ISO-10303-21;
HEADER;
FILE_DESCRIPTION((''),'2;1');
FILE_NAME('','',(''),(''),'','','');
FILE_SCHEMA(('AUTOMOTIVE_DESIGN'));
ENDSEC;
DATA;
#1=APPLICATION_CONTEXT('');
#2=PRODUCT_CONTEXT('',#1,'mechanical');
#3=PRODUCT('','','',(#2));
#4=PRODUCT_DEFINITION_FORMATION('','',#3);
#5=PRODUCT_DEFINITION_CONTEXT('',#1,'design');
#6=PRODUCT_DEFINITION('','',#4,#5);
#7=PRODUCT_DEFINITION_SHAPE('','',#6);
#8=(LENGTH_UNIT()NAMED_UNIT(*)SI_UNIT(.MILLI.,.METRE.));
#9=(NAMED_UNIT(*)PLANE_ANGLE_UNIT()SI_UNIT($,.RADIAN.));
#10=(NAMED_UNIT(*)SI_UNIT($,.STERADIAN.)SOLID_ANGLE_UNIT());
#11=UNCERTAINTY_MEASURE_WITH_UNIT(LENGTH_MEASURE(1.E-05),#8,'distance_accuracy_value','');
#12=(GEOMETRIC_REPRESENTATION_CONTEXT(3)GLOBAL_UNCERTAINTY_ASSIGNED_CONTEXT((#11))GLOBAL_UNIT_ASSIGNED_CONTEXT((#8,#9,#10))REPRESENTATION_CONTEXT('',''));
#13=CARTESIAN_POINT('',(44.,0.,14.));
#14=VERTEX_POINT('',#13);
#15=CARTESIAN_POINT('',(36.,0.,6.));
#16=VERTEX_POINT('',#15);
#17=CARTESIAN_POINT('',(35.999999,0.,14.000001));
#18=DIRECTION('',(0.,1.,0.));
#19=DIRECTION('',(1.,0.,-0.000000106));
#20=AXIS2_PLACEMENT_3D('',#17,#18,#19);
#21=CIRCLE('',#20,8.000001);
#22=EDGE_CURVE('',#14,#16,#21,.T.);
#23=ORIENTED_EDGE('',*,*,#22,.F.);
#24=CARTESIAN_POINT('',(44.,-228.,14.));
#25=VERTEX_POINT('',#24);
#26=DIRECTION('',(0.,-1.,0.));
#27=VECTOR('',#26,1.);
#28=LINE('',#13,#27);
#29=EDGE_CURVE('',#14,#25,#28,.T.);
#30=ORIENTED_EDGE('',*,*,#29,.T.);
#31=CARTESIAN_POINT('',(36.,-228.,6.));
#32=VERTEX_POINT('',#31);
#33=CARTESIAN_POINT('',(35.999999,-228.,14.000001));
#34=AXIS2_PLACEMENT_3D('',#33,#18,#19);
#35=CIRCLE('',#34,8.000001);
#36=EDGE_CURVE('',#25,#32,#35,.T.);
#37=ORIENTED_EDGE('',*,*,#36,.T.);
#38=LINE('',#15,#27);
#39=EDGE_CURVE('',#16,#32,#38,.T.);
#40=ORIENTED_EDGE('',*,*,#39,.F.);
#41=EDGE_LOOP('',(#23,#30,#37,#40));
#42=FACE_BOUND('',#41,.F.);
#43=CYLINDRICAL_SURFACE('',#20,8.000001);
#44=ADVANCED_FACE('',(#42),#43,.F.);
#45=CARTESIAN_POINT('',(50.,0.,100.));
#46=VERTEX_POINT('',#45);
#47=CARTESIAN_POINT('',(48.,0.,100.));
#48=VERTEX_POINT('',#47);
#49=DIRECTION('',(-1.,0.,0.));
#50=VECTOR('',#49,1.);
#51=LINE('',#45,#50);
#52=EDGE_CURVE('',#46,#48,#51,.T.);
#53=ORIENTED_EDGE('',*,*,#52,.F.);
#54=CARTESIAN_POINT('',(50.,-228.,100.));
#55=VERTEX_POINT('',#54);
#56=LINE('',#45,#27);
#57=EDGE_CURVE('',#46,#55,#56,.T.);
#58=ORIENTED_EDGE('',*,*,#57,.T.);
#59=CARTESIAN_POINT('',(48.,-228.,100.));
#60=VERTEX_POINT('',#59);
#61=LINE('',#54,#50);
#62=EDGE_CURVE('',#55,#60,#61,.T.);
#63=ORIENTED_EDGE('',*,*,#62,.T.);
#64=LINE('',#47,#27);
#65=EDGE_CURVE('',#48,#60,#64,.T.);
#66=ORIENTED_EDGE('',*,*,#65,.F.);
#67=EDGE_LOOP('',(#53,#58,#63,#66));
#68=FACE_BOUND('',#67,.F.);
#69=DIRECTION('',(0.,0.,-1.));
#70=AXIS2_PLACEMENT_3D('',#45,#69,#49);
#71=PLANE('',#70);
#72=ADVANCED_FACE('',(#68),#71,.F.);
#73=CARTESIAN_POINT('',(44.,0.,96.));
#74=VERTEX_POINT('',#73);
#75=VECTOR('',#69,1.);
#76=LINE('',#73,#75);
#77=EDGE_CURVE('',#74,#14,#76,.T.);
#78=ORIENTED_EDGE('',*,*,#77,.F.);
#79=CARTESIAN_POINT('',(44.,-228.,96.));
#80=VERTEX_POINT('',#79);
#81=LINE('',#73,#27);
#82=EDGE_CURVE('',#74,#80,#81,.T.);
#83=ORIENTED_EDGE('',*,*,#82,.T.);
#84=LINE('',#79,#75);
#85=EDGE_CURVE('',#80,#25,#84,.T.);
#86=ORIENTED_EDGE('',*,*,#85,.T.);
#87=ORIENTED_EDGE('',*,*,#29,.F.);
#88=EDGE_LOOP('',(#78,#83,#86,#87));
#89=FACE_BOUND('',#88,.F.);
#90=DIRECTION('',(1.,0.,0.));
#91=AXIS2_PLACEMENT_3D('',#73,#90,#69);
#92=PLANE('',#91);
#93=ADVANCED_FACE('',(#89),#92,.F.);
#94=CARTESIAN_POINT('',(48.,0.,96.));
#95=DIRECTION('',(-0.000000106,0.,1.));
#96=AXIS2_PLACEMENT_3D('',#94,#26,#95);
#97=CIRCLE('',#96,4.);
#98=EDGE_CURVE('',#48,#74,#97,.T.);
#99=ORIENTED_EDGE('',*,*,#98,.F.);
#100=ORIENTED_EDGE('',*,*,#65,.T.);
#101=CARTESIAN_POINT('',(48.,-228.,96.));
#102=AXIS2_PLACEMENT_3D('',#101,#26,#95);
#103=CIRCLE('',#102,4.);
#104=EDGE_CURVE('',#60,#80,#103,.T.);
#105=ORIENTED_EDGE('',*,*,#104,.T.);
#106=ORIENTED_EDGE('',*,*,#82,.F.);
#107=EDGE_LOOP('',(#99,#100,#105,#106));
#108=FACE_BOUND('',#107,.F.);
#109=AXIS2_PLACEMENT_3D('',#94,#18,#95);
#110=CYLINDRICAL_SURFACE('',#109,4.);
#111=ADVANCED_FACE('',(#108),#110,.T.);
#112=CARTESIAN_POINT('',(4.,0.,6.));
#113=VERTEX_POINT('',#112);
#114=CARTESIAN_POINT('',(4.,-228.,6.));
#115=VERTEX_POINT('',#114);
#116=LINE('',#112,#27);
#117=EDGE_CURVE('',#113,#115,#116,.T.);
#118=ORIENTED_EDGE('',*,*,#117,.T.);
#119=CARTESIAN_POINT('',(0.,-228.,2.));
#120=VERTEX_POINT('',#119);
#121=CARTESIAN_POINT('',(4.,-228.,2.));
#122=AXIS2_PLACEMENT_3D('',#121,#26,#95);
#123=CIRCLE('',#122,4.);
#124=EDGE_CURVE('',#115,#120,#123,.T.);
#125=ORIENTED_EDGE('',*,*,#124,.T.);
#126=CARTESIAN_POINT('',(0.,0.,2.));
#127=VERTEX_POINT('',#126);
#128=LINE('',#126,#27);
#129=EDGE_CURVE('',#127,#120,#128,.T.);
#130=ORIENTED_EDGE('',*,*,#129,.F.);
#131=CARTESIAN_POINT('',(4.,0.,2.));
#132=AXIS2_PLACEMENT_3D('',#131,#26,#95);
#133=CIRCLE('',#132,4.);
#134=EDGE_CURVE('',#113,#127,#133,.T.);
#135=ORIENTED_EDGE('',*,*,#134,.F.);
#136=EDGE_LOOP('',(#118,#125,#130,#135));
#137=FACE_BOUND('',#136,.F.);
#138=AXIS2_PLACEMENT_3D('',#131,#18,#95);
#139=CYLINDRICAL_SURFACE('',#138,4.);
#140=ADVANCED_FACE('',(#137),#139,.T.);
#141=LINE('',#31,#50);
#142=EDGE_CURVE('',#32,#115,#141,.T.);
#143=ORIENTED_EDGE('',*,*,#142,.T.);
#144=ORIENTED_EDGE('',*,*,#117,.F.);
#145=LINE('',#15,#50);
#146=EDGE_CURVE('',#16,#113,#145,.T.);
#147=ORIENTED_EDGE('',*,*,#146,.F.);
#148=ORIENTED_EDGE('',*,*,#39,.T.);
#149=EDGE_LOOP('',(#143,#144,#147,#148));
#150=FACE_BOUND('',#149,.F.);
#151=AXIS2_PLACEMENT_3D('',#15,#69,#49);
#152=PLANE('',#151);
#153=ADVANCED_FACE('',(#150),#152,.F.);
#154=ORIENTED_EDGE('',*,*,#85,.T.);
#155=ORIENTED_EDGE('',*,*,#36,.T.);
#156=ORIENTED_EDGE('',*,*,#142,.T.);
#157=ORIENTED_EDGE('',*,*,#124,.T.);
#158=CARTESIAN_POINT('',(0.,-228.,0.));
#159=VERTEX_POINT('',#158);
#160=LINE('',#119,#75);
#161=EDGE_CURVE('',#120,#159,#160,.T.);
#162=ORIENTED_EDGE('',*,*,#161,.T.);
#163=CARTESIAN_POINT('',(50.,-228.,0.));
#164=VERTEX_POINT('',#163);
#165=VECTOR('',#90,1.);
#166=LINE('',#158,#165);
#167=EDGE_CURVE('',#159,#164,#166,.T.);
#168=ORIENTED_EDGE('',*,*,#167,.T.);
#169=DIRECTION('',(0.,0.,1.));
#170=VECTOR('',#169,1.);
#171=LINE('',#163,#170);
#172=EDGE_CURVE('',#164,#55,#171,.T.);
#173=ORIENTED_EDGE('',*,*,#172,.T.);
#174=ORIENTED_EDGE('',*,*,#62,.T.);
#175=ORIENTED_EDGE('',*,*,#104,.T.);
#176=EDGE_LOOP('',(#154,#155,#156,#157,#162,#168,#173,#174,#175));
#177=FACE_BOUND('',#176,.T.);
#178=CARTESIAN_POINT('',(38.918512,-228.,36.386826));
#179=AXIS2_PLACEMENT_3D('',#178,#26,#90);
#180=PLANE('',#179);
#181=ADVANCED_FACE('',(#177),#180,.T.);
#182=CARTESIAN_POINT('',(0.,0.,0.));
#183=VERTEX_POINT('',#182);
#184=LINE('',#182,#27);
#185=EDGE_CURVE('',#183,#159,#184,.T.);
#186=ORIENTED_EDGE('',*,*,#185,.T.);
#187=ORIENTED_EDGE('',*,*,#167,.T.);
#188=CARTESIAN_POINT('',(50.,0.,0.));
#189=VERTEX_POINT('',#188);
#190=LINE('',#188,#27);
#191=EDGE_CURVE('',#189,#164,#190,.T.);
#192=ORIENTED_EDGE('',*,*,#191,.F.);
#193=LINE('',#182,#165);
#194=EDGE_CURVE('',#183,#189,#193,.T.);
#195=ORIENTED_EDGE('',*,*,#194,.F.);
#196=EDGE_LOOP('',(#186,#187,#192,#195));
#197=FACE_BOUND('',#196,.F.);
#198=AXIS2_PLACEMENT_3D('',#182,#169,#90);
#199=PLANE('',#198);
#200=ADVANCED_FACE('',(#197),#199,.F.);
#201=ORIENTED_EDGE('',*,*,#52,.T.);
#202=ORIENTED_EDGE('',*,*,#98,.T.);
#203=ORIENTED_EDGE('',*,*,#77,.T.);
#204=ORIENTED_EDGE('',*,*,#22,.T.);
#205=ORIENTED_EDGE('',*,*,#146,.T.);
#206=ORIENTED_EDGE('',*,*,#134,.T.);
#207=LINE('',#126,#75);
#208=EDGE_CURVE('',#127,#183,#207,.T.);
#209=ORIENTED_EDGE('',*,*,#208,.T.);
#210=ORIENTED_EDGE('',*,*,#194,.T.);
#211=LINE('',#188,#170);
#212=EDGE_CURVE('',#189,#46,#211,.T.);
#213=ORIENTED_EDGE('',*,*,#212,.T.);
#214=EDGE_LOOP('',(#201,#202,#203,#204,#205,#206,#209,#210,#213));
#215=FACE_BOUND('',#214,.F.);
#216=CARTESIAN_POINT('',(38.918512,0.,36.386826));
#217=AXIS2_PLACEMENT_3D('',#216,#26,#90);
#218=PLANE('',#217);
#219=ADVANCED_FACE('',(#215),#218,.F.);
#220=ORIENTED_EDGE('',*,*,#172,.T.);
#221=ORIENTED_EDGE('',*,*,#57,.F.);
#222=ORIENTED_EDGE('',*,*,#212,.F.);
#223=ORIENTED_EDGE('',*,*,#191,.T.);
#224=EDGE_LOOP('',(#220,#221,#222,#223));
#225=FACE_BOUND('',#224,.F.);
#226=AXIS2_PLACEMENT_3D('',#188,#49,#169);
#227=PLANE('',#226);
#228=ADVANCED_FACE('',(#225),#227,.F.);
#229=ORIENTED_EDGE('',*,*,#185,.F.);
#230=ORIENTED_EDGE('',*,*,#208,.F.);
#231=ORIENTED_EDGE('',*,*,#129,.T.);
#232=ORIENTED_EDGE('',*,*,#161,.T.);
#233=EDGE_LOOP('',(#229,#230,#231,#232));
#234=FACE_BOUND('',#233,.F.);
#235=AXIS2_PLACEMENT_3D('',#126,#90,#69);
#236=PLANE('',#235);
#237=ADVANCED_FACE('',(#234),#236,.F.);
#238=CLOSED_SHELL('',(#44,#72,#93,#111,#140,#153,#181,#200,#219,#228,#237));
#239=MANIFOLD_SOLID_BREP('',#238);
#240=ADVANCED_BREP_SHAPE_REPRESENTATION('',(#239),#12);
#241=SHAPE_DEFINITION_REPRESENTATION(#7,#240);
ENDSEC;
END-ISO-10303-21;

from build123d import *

# Parameters (mm, degrees)
F1_DEPTH = 228


with BuildPart() as f1:
    # F0 (on Front) → F1 (new body)
    with BuildSketch(Plane.XZ):
        with BuildLine():
            Line((0, 2), (0, 0))
            Line((0, 0), (50, 0))
            Line((50, 0), (50, 100))
            Line((50, 100), (48, 100))
            ThreePointArc((48, 100), (45.171573, 98.828427), (44, 96))
            Line((44, 96), (44, 14))
            ThreePointArc((44, 14), (41.656854, 8.343146), (36, 6))
            Line((36, 6), (4, 6))
            ThreePointArc((4, 6), (1.171573, 4.828427), (0, 2))
        make_face()
    extrude(amount=F1_DEPTH)


solid = f1.part
